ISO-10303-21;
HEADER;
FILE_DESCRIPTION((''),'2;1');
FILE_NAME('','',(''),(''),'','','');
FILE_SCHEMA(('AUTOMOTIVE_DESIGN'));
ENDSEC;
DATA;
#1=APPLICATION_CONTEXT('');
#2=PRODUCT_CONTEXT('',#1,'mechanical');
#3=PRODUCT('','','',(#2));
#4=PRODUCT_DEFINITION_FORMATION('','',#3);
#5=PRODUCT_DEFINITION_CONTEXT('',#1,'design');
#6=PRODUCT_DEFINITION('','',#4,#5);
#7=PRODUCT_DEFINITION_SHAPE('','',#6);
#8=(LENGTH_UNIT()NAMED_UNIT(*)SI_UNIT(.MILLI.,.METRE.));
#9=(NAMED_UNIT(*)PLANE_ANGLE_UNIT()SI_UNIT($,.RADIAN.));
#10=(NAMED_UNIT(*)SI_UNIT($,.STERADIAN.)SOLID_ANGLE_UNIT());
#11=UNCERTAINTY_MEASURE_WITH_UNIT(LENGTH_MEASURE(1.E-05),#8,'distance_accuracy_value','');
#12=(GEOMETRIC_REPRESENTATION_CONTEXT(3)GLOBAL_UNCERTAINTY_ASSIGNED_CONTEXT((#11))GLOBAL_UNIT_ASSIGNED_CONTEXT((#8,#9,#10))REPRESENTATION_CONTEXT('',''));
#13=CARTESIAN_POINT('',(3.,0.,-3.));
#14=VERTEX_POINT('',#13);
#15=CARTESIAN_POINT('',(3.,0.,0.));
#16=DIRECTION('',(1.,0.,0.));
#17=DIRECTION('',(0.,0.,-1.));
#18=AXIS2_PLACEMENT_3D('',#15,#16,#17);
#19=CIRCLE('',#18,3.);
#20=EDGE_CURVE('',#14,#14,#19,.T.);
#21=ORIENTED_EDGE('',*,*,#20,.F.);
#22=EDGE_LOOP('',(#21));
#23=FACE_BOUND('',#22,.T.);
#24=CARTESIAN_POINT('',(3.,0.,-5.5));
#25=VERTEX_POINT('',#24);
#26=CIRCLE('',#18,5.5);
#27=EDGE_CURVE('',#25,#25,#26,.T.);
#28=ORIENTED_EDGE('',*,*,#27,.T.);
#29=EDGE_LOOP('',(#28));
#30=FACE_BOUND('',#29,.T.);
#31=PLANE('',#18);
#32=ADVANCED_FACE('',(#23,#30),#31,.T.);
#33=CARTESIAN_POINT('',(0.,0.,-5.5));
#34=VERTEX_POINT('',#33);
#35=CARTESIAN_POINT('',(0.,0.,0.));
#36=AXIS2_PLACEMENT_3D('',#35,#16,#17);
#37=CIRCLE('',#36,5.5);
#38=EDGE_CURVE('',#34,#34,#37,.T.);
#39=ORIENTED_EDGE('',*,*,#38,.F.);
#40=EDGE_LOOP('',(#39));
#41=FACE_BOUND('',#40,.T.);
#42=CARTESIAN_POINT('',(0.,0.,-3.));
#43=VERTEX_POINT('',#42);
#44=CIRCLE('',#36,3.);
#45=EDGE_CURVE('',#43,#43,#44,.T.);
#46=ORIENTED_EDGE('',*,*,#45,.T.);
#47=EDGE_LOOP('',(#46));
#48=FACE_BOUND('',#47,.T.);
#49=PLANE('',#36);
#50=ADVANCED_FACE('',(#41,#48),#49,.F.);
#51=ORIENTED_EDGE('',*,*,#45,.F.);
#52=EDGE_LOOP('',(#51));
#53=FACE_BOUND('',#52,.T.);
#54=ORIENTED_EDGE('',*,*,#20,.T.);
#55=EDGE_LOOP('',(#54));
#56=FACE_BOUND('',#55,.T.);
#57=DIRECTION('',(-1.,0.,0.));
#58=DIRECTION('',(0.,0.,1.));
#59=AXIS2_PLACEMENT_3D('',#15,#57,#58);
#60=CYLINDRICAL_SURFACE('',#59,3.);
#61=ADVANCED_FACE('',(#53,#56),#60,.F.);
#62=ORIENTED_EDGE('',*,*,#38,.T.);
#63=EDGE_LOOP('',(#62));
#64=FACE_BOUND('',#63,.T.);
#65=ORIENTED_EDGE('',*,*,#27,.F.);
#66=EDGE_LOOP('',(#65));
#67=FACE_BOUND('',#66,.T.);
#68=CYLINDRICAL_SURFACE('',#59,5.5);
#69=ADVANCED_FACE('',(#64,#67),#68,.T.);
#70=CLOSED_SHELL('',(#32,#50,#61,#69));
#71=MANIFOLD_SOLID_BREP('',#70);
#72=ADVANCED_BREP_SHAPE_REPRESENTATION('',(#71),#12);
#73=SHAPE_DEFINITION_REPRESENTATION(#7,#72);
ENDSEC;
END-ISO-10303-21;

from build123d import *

# Parameters (mm, degrees)
SKETCH_1_R      = 5.5
SKETCH_1_R_2    = 3
EXTRUDE_1_DEPTH = 3


with BuildPart() as part:
    # 草图1 → 凸台-拉伸1 (new body)
    with BuildSketch(Plane(origin=(0, 0, 0), x_dir=(0, 0, -1), z_dir=(1, 0, 0))):
        Circle(SKETCH_1_R)
        Circle(SKETCH_1_R_2, mode=Mode.SUBTRACT)
    extrude(amount=EXTRUDE_1_DEPTH)


solid = part.part
